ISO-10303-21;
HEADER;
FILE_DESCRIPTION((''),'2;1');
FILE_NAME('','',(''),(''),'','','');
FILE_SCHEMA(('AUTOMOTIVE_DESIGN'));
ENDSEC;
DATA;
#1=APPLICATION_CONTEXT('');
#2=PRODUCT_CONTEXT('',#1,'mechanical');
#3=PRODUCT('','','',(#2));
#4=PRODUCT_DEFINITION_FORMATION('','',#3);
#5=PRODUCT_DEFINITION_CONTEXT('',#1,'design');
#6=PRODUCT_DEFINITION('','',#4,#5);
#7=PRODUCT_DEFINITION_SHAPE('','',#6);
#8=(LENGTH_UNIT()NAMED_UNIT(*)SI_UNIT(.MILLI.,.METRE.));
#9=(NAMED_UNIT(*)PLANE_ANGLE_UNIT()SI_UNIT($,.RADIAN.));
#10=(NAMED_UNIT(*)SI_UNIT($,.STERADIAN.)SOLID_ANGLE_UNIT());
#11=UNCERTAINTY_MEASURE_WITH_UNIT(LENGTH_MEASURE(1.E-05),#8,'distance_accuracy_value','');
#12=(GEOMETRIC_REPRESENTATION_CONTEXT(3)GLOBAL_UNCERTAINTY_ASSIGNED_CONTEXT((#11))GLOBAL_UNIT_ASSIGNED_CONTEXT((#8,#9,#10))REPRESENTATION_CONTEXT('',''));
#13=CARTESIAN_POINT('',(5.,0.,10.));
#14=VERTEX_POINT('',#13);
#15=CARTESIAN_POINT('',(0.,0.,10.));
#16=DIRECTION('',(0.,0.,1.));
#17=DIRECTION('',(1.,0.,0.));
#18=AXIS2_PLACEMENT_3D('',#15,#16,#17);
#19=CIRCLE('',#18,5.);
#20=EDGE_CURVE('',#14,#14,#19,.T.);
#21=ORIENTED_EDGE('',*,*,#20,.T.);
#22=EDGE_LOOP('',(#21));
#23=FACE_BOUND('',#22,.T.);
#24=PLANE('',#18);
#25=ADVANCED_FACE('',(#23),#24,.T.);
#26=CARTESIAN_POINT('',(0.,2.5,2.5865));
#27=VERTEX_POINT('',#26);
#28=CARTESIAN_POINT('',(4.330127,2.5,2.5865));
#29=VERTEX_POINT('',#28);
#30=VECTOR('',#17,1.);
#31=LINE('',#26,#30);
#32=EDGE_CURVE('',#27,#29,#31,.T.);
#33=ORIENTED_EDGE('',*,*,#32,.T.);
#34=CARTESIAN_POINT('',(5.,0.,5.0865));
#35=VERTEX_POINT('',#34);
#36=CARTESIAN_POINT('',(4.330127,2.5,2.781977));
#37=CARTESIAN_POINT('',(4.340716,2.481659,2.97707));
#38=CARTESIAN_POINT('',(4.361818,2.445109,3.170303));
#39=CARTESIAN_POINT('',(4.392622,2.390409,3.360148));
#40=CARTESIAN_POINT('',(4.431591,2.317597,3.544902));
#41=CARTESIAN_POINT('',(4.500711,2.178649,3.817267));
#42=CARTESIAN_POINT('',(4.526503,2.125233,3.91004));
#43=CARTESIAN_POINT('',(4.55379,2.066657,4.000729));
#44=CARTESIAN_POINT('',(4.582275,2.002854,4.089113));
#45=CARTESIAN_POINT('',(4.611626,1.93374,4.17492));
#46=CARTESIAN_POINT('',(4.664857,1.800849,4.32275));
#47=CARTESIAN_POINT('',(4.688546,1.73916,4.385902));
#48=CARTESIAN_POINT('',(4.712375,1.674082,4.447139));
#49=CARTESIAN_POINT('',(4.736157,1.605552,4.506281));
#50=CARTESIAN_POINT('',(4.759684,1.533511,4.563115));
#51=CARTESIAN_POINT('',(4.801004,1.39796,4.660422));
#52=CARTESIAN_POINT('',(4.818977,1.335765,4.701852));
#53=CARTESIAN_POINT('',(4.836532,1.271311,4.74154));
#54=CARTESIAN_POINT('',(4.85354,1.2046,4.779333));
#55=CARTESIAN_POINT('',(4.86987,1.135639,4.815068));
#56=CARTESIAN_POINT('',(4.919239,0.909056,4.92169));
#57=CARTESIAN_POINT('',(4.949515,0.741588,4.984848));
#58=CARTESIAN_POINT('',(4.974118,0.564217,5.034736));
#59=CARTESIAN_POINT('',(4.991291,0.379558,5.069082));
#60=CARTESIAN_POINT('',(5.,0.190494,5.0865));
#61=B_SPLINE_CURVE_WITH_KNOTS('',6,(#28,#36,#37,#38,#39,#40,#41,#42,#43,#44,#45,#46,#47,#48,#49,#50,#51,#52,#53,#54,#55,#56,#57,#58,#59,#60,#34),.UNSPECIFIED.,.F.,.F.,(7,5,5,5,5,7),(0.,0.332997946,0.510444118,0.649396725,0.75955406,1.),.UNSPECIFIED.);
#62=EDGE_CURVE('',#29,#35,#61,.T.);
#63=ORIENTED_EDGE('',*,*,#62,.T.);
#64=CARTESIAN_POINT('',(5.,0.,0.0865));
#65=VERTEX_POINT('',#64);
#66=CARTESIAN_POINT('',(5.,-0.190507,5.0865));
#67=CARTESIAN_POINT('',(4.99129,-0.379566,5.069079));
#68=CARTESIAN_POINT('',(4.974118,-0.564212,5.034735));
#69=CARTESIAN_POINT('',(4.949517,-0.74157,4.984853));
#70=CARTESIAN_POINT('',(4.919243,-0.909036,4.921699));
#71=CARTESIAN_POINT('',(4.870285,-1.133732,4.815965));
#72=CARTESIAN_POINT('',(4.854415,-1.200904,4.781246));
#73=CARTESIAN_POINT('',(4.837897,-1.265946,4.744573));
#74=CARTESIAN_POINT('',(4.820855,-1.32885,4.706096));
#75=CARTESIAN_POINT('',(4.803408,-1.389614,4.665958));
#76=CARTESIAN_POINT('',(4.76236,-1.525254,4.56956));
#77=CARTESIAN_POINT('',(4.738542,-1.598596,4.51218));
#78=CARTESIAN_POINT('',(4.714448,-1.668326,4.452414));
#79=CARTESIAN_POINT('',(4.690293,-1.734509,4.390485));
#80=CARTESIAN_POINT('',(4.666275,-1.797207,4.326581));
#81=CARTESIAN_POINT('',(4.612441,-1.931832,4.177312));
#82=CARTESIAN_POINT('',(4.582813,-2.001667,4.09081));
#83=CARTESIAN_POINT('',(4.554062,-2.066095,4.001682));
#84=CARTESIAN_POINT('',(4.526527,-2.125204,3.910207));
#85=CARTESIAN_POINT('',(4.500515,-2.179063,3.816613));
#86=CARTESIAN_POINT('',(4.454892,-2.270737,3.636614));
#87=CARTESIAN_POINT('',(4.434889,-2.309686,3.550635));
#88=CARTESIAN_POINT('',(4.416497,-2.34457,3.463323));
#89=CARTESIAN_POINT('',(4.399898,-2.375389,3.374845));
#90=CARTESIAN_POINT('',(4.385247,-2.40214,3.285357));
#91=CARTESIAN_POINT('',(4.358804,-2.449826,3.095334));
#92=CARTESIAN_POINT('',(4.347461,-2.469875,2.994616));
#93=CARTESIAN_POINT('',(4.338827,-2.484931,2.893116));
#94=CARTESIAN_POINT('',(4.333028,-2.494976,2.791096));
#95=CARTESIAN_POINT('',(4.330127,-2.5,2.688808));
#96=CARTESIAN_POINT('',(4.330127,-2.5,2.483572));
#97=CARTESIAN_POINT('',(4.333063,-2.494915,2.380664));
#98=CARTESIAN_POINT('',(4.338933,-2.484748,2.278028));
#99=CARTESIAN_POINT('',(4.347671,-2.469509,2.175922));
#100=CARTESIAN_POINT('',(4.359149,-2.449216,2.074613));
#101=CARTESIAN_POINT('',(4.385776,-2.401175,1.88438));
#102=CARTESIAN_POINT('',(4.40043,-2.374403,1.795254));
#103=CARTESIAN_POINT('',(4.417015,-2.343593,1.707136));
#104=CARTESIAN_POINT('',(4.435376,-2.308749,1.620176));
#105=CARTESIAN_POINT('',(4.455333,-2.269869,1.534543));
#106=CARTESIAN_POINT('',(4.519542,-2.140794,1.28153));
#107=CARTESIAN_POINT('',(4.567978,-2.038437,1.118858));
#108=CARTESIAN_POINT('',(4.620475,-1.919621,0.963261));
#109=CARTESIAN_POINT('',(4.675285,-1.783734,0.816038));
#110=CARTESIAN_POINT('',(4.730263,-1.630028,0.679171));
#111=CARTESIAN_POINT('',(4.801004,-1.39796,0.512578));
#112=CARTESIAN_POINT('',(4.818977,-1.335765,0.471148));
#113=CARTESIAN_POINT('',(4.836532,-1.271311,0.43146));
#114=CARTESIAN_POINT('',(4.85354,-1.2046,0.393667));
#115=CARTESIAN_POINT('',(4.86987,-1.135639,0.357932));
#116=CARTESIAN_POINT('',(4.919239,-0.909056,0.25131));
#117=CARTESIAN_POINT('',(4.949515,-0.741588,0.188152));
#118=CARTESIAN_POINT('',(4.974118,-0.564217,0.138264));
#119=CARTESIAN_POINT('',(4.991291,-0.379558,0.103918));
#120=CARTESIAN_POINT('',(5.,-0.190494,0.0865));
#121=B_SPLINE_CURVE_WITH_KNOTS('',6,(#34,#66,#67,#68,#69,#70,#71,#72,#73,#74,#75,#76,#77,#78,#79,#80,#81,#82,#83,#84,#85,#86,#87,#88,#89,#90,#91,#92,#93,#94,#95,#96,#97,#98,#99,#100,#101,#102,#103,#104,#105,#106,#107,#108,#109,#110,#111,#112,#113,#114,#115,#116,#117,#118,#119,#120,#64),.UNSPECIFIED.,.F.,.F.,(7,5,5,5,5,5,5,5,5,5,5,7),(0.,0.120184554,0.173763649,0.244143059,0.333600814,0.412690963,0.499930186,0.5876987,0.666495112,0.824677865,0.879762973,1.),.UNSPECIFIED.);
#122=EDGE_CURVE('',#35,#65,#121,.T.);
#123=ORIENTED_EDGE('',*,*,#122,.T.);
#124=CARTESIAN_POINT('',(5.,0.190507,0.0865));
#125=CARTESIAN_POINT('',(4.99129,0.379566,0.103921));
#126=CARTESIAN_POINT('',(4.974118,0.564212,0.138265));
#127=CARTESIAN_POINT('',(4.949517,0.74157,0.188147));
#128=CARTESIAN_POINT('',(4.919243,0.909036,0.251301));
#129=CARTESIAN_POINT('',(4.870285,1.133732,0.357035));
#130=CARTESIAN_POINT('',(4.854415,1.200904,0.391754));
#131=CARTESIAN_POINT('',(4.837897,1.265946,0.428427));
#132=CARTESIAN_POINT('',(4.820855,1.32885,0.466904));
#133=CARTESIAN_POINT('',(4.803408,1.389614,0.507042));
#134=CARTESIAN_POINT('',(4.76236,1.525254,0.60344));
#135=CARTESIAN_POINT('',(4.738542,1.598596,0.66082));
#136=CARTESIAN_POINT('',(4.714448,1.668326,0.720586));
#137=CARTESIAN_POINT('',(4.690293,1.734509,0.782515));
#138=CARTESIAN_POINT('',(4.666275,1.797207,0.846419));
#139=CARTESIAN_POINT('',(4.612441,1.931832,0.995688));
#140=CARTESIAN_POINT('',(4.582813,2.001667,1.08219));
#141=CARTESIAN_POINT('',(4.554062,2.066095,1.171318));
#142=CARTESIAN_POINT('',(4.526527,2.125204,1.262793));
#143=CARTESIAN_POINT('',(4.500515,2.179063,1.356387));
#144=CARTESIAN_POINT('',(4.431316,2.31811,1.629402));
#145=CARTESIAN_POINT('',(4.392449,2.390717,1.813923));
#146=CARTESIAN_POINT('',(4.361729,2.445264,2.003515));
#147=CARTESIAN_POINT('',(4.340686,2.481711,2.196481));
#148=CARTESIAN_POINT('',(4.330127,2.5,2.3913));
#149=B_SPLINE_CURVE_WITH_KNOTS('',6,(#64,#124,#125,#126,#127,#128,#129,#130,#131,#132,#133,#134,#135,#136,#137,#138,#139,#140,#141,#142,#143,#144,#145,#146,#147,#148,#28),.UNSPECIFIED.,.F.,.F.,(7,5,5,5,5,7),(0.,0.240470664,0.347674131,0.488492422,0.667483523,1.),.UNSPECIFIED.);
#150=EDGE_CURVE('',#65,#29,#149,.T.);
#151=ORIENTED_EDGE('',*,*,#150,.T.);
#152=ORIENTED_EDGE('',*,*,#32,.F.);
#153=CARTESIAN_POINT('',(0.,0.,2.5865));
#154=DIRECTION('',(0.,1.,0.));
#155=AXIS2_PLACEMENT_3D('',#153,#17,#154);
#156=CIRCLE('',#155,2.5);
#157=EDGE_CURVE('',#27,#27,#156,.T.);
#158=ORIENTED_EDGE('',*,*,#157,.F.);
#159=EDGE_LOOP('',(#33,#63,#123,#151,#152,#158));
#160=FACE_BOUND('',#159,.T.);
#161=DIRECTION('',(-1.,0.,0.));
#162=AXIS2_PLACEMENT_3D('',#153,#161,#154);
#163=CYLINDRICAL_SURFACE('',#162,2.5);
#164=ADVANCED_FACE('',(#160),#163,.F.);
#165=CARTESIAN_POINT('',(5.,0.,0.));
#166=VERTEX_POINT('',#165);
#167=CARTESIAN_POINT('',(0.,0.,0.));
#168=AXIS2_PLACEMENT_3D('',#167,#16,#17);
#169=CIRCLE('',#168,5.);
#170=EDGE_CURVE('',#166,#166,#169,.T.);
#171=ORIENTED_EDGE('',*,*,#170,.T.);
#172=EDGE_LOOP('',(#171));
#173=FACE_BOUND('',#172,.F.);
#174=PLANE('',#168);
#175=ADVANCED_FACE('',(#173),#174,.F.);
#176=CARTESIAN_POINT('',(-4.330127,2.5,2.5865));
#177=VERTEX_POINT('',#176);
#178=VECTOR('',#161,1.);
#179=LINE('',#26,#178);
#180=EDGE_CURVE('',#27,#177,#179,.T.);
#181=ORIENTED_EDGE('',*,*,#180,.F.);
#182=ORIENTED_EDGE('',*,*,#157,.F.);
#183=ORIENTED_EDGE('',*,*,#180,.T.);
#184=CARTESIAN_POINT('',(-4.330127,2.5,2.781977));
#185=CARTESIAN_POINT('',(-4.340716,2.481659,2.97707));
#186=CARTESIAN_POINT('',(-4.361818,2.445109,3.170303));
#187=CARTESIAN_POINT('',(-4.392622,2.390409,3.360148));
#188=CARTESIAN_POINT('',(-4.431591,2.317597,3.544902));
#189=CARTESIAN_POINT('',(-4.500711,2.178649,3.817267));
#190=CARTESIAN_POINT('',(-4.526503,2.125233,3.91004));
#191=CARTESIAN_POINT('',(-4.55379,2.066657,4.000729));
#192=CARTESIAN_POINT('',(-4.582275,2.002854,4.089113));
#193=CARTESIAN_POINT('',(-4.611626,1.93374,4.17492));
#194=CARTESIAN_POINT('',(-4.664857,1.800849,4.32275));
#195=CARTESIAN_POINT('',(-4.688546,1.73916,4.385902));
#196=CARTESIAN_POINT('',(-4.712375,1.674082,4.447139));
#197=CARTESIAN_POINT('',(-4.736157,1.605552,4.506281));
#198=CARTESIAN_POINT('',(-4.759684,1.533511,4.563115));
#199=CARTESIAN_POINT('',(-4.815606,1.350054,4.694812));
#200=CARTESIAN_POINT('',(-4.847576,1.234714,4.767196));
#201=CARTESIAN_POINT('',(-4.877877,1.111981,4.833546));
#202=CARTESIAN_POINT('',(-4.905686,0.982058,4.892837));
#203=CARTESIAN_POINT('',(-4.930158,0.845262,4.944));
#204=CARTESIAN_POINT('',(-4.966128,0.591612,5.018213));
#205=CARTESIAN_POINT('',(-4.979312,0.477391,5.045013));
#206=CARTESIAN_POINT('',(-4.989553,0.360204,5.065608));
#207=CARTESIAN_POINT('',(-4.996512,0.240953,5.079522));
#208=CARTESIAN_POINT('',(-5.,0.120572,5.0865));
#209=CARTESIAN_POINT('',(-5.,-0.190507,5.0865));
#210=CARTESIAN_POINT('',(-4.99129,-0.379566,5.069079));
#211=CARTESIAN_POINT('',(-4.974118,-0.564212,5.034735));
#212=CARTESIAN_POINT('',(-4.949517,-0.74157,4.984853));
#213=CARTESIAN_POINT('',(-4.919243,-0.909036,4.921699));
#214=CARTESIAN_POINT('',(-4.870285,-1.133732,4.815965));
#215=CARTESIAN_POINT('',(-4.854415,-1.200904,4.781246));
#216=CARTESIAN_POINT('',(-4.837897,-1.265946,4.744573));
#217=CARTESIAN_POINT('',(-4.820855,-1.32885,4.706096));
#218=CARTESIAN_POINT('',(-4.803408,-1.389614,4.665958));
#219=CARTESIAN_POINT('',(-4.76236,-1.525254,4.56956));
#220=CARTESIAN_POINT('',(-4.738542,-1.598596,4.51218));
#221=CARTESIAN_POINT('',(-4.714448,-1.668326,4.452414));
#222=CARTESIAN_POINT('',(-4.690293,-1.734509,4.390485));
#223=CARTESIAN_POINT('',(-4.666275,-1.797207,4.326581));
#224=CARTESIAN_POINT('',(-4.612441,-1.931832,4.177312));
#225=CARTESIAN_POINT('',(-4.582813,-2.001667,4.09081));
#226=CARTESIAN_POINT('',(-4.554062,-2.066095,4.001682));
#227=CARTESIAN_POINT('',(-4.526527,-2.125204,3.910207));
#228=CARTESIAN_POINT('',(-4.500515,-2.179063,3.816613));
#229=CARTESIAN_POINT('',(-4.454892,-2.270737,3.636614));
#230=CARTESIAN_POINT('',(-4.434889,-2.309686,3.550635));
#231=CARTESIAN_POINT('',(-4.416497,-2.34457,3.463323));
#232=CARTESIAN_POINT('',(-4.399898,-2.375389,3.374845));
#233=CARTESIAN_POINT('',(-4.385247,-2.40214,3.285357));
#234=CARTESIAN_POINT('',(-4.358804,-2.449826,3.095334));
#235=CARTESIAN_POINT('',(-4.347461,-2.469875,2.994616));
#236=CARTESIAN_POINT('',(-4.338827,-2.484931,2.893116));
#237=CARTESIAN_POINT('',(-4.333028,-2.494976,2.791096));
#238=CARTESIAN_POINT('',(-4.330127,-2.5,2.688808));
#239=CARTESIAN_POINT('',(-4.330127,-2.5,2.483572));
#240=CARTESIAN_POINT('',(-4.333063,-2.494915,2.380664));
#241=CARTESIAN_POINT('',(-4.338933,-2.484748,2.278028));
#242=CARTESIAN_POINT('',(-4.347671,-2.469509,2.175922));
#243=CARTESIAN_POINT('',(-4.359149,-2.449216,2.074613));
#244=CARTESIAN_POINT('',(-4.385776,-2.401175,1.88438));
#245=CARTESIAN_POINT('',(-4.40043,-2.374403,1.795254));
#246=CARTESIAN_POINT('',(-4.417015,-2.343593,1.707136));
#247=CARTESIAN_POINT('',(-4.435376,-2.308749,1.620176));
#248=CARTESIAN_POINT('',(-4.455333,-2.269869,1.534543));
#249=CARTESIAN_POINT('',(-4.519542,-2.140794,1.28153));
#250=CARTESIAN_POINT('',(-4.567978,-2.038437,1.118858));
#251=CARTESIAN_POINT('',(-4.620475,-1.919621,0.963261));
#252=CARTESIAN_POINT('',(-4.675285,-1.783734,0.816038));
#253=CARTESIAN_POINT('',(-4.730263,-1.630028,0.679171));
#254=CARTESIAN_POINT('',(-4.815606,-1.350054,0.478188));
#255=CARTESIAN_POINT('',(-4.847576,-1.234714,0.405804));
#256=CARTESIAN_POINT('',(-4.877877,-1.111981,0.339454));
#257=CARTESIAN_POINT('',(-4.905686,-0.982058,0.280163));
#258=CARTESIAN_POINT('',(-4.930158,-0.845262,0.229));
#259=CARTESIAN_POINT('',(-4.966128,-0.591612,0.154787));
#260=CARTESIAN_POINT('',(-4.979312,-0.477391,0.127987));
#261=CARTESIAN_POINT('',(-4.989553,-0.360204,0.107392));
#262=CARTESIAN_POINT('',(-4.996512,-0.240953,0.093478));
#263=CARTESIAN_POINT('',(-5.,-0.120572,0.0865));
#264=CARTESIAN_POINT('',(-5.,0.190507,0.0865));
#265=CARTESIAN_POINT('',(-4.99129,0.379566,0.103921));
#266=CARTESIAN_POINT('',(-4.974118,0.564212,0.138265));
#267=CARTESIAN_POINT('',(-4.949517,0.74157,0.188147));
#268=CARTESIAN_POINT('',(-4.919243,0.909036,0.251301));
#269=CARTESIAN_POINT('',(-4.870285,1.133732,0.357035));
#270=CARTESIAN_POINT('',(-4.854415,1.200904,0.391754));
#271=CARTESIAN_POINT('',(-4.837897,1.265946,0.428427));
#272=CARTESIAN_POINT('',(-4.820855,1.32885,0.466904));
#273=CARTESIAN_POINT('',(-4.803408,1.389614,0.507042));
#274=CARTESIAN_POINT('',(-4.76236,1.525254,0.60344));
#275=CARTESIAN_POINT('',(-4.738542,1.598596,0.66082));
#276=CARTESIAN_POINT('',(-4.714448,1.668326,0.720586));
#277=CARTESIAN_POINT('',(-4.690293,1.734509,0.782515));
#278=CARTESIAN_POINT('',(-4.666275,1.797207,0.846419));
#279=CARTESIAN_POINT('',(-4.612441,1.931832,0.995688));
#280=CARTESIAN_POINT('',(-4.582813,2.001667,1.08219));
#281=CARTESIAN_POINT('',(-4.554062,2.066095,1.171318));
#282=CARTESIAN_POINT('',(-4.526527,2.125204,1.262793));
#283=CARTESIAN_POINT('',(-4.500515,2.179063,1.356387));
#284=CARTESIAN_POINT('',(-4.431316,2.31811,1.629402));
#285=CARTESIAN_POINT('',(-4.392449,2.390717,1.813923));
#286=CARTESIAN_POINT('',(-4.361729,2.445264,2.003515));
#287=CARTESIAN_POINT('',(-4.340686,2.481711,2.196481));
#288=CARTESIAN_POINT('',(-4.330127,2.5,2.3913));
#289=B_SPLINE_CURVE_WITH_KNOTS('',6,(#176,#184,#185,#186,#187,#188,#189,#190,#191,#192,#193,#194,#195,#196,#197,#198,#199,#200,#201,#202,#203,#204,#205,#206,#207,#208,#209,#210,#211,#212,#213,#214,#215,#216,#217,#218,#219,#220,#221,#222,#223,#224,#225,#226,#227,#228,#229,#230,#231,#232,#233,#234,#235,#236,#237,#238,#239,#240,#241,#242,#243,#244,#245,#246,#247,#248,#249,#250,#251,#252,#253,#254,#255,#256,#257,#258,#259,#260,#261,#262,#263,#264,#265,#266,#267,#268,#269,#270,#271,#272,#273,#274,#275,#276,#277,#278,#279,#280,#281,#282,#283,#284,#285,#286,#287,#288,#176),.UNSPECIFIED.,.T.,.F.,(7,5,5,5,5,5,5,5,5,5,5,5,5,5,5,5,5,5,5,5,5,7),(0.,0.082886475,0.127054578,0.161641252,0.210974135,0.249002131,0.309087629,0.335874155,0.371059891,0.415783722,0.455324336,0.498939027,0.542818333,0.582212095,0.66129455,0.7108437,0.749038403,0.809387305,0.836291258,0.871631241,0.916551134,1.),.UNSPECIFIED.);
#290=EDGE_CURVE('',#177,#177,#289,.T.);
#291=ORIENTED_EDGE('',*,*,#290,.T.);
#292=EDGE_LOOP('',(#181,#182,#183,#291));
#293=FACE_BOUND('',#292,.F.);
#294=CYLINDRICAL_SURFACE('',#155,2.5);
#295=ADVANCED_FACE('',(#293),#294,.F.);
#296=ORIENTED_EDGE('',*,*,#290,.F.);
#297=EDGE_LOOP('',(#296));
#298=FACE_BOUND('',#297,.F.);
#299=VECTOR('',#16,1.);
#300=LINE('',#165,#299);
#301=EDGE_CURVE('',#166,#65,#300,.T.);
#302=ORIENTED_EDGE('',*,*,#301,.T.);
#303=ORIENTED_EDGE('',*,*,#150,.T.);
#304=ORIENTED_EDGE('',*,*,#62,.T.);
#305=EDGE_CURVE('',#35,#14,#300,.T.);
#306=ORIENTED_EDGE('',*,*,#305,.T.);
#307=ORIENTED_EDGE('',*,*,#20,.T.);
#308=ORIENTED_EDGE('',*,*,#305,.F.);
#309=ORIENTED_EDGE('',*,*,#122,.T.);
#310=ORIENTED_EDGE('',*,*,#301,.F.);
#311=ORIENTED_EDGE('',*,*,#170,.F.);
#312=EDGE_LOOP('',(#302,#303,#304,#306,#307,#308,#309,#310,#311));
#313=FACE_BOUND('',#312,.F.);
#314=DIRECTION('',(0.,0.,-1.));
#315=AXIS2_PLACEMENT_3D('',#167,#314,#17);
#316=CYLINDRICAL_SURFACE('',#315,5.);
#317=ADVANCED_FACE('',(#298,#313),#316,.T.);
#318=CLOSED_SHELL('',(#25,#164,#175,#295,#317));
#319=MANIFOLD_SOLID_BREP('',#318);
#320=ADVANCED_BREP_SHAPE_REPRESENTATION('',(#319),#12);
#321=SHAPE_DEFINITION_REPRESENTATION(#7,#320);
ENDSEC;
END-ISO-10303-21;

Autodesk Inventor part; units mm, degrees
ref_plane "YZ Plane" through (0, 0, 0) normal (1, 0, 0) x (0, 1, 0)
ref_plane "XZ Plane" through (0, 0, 0) normal (0, 1, 0) x (-1, 0, 0)
ref_plane "XY Plane" through (0, 0, 0) normal (0, 0, 1) x (1, 0, 0)
sketch "Skizze1" plane through (0, 0, 0) normal (0, 0, 1) x (1, 0, 0)
  circle A0 centre (0, 0) radius 5
  dimension "d0" = 10
extrude "Extrusion1" add sketch "Skizze1" along normal blind 10
sketch "Skizze2" plane through (0, 0, 0) normal (1, 0, 0) x (0, 1, 0)
  line L0 (5, 10) -> (-5, 10) projected
  line L1 (5, 0) -> (-5, 0) projected
  circle A0 centre (0, 2.5865) radius 2.5
  point P0 (0, 0)
  dimension "d3" = 5
extrude "Extrusion2" cut sketch "Skizze2" along normal mid plane 15
properties part number "BauteilWelle6"
